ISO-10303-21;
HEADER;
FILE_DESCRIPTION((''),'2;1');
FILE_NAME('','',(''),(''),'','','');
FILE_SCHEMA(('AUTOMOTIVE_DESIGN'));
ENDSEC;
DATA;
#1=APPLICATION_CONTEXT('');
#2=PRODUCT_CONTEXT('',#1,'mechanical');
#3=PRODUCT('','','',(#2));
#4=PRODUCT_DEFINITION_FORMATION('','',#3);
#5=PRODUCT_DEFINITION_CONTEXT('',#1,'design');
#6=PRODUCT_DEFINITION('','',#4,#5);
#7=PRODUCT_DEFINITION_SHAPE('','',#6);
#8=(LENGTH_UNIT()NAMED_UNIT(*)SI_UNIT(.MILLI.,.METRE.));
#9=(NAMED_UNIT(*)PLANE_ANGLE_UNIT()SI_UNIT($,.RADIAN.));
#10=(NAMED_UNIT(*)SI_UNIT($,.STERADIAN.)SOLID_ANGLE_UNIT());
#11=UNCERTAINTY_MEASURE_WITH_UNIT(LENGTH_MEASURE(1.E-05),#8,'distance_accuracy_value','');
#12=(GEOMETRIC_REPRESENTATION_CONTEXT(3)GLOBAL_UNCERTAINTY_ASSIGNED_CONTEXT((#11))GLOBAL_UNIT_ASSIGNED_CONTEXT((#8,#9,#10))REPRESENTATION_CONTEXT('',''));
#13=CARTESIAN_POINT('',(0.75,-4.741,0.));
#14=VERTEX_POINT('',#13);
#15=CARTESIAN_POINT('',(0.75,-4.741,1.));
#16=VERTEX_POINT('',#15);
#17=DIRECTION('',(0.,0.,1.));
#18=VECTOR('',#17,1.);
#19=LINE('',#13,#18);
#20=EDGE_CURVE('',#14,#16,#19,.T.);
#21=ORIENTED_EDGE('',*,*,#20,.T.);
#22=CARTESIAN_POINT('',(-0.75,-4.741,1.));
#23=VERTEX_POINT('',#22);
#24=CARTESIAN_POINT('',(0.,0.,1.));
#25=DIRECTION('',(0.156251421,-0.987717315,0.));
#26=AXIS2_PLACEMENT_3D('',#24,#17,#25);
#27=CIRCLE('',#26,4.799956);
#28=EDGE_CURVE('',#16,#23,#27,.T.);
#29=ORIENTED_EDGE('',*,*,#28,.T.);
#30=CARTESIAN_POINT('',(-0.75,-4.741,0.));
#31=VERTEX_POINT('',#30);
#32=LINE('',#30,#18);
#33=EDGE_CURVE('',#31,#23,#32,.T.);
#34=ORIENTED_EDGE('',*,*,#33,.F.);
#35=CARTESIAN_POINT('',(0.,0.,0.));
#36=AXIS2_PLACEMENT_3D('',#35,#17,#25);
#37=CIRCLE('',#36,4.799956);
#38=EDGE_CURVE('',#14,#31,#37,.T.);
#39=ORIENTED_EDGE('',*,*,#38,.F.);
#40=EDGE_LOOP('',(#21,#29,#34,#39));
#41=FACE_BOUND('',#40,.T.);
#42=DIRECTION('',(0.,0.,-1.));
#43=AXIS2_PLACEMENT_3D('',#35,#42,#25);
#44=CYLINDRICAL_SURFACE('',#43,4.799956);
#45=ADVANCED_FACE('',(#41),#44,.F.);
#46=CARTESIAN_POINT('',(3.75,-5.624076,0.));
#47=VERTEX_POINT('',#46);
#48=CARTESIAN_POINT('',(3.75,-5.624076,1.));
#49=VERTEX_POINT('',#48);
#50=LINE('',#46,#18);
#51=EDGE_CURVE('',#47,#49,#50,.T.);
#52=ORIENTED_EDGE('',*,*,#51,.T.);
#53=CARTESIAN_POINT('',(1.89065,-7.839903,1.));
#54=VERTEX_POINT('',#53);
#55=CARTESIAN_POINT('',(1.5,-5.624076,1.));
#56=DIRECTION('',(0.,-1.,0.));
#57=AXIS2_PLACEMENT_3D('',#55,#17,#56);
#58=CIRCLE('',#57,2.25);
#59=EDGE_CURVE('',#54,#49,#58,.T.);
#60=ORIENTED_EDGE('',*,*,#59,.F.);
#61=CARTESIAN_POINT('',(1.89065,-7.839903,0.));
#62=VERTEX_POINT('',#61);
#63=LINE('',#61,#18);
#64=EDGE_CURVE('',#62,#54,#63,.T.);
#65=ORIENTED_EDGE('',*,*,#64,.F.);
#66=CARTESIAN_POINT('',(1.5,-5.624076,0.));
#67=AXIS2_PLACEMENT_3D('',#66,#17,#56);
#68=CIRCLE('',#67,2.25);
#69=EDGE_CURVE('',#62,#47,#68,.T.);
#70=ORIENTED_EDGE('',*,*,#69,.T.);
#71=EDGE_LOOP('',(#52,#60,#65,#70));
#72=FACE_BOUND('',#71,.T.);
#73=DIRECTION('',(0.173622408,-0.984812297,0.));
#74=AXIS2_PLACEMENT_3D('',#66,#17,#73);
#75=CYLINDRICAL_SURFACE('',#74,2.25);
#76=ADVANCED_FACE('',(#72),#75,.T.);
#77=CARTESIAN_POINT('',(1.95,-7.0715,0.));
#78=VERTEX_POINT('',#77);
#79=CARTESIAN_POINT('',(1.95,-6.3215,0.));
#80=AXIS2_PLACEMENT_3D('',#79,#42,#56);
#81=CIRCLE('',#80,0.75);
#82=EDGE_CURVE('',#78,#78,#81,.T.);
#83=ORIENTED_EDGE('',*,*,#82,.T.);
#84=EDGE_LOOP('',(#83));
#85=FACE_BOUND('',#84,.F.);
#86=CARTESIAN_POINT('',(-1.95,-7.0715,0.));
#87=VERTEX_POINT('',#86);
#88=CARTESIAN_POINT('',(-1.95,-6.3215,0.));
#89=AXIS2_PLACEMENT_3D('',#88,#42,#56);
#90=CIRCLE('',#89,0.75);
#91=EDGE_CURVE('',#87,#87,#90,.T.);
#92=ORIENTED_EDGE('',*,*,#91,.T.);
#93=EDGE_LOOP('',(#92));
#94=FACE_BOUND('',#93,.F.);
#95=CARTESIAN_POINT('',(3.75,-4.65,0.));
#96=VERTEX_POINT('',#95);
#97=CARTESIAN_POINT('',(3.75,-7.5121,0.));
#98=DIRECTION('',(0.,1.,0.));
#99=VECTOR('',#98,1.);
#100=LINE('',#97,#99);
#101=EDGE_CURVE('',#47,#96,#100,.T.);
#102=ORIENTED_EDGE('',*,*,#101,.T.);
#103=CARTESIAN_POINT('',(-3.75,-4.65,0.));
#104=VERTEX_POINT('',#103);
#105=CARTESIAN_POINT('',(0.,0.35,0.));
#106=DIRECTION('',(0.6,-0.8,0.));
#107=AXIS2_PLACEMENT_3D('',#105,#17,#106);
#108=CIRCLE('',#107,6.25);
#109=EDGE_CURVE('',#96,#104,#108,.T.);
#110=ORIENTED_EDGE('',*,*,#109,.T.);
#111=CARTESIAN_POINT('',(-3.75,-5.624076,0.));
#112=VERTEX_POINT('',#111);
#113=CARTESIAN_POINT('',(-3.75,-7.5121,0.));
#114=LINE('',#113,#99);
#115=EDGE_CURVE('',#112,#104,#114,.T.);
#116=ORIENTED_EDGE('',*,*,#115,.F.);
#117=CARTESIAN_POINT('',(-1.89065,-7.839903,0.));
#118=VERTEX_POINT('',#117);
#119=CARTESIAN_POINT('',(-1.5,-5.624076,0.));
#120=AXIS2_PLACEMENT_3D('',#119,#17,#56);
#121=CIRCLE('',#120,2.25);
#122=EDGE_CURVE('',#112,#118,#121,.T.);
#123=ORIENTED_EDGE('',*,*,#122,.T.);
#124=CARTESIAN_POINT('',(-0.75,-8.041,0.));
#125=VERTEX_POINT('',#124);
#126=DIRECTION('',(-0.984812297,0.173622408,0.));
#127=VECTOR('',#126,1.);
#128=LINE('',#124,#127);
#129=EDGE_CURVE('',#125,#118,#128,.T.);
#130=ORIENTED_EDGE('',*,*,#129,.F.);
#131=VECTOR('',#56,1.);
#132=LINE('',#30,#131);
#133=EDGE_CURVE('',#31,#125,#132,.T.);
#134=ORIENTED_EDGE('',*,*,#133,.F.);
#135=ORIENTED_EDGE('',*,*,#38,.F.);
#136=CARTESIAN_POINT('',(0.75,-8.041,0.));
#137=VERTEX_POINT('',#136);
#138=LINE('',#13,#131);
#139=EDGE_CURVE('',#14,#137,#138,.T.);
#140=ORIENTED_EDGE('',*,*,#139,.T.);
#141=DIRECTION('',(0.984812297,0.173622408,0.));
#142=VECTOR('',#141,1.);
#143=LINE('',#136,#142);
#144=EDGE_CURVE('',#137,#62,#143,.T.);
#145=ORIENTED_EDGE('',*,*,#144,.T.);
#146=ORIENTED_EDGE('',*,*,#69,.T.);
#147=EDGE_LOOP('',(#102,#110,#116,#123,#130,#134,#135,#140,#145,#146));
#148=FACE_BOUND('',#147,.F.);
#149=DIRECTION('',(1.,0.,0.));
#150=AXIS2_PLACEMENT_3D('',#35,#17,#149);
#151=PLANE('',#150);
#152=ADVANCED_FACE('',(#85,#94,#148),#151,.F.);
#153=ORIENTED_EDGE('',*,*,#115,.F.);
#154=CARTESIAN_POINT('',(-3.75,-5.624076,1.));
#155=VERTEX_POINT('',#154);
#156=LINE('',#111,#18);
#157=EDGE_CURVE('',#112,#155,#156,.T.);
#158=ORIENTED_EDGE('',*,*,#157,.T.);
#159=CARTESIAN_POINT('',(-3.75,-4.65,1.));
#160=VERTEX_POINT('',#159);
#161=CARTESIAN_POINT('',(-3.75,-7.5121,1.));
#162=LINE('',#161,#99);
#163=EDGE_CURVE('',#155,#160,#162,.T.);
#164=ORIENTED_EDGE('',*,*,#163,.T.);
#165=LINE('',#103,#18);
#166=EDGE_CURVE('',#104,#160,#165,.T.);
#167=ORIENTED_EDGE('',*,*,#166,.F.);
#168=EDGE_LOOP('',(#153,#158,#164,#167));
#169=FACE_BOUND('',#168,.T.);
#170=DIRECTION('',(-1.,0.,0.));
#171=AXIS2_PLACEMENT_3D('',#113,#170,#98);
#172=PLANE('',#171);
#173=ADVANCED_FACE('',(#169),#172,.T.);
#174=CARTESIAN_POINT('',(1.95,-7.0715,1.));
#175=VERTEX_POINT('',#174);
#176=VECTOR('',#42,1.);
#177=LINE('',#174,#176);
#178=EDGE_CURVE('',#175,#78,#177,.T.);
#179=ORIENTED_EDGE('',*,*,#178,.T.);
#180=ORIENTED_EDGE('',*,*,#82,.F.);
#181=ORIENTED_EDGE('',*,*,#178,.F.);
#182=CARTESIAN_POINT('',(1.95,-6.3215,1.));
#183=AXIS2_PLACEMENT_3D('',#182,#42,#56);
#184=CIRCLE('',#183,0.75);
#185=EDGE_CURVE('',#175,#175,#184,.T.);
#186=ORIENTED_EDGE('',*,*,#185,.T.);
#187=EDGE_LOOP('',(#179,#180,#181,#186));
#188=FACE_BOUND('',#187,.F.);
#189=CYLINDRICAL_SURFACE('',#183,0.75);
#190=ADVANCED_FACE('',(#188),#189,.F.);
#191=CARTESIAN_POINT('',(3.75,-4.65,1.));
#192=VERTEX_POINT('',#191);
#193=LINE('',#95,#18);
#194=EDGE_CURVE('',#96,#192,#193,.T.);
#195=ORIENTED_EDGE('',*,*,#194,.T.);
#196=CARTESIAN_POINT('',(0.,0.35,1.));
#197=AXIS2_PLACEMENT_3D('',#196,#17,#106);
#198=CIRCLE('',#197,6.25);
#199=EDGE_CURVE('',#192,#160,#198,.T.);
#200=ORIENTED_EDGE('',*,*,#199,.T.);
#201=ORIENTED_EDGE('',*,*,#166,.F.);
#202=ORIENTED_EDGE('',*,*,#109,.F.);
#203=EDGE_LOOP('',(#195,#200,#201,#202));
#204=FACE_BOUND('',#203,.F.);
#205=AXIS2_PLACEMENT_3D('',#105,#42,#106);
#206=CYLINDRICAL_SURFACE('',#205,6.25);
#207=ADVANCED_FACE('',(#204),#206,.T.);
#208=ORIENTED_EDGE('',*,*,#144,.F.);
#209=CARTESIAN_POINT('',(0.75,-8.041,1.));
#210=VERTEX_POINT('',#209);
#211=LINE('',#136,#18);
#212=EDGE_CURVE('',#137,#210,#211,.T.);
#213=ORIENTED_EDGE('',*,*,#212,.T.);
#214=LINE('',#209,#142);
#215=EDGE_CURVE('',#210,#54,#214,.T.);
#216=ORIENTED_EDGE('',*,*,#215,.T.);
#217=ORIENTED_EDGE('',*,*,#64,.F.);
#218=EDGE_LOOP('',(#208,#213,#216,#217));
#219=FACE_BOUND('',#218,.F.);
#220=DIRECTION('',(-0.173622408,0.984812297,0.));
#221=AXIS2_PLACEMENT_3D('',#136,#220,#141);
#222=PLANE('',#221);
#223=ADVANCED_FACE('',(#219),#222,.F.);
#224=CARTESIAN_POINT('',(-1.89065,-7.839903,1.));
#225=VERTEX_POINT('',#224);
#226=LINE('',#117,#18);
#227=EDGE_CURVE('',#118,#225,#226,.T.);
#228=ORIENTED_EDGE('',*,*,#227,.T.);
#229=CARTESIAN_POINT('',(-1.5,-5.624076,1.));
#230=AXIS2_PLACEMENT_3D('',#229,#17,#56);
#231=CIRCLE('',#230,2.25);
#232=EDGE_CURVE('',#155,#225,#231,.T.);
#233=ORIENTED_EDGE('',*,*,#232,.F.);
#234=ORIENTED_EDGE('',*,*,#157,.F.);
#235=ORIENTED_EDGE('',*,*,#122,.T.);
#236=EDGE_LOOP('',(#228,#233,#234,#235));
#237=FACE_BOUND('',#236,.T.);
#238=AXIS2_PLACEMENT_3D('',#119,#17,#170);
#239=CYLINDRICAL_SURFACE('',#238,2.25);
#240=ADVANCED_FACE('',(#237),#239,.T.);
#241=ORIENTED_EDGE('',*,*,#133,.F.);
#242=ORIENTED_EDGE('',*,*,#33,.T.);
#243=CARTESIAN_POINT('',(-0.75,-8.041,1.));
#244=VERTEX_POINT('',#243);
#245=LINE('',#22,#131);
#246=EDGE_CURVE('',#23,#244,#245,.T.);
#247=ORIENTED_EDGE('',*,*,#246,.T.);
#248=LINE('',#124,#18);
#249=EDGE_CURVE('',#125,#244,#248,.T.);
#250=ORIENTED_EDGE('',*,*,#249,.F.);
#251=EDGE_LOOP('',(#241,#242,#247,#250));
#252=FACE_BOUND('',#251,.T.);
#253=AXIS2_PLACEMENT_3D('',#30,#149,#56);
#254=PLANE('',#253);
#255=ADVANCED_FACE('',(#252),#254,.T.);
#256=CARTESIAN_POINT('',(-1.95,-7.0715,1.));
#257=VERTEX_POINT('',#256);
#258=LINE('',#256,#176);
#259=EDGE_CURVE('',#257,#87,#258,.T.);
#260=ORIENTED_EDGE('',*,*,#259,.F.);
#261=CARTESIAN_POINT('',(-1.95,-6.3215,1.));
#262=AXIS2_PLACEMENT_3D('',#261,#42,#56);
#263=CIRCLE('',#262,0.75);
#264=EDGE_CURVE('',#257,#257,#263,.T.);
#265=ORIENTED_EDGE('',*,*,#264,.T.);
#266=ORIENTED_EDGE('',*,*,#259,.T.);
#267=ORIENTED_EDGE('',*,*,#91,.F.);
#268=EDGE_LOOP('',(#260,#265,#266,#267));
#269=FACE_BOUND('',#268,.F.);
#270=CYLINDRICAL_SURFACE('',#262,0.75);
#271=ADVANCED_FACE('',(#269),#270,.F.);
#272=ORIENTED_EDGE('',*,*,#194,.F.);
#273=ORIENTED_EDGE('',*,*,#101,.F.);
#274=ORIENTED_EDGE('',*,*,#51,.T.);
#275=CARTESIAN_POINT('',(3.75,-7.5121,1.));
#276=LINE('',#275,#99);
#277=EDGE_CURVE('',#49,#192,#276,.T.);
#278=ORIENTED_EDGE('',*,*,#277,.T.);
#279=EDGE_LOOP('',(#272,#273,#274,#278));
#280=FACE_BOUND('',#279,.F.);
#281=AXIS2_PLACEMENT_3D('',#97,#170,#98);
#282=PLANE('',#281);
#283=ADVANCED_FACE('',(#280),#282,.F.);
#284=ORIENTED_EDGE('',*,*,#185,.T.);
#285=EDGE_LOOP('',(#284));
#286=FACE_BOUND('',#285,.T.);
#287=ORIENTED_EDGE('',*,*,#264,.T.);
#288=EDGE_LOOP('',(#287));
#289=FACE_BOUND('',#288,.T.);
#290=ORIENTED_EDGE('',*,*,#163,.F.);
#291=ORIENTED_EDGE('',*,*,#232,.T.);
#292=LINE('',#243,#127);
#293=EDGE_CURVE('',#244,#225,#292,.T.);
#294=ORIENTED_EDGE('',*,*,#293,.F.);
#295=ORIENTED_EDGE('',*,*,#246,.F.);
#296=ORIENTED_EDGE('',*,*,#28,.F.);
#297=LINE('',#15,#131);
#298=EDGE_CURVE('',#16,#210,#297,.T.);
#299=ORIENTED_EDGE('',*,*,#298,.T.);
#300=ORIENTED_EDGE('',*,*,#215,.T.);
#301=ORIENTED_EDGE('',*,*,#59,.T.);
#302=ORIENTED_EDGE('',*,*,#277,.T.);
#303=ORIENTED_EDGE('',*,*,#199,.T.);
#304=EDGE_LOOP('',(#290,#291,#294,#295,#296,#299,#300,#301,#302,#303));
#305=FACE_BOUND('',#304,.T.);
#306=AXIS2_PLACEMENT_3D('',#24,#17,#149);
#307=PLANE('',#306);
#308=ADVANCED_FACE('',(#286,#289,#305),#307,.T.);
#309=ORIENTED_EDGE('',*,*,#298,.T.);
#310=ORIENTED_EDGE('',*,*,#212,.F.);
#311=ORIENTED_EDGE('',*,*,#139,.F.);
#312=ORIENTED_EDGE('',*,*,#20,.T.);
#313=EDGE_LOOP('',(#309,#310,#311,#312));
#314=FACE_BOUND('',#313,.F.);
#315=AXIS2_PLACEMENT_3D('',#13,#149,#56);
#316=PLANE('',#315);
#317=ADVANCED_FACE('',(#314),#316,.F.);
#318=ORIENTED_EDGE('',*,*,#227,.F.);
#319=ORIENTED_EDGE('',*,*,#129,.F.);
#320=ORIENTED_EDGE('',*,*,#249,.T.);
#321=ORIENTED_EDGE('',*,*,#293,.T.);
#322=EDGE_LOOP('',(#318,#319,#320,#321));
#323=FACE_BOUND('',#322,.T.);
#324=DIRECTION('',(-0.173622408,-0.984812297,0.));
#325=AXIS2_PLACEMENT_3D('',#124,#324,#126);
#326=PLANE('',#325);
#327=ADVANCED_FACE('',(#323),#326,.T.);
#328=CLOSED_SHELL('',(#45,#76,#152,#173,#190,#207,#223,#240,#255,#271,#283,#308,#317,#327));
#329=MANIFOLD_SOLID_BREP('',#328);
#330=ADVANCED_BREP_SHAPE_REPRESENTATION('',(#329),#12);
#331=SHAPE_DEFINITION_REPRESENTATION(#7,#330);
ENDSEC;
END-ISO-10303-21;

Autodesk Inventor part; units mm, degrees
ref_plane "WorkPlane1" through (0, 0, 0) normal (0, 0, 1) x (1, 0, 0)
ref_plane "Work Plane2" through (0, 0, -1) normal (0, 0, 1) x (1, 0, 0)
ref_plane "WorkPlane2" through (0, 0, 1.5) normal (0, 0, 1) x (1, 0, 0)
sketch "Sketch1" plane through (0, 0, 0) normal (0, 0, 1) x (1, 0, 0)
  point P0 (0, 0)
sketch "Sketch2" plane through (0, 0, 0) normal (0, 0, 1) x (1, 0, 0)
  line L0 (3.75, -7.5121) -> (3.75, -4.65)
  line L1 (0.75, -8.041) -> (3.75, -7.5121)
  line L2 (0.75, -4.741) -> (0.75, -8.041)
  arc A0 (0.75, -4.741) -> (-0.75, -4.741) centre (0, 0) ccw
  line L3 (-0.75, -4.741) -> (-0.75, -8.041)
  line L4 (-0.75, -8.041) -> (-3.75, -7.5121)
  line L5 (-3.75, -7.5121) -> (-3.75, -4.65)
  arc A1 (3.75, -4.65) -> (-3.75, -4.65) centre (0, 0.35) ccw
  dimension "d2" = 4.8
  dimension "d4" = 6.25
  dimension "d6" = 0
  dimension "d8" = 0.75
  dimension "d10" = 0.75
  dimension "d12" = 3.3
  dimension "d14" = 3.3
  dimension "d16" = 80
  dimension "d18" = 80
  dimension "d20" = 3
  dimension "d22" = 3
  dimension "d24" = 0.35
  dimension "d52" = 0
  dimension "d53" = 0
extrude "Extrusion1" add sketch "Sketch2" along normal blind 1
sketch "Sketch3" plane through (0, 0, 1) normal (0, 0, 1) x (1, 0, 0)
  line L0 (-0.75, -4.741) -> (-0.75, -8.041) projected
  line L1 (-0.75, -8.041) -> (-3.75, -7.5121) projected
  point P0 (-1.95, -6.3215)
  dimension "d30" = 1.2
  dimension "d32" = 1.485
hole "Hole1" at (-1.95, -6.3215, 1) direction (0, 0, -1) diameter 1.5 end through all
sketch "Sketch4" plane through (0, 0, 1) normal (0, 0, 1) x (1, 0, 0)
  line L0 (0.75, -8.041) -> (0.75, -4.741) projected
  line L1 (3.75, -7.5121) -> (0.75, -8.041) projected
  point P0 (1.95, -6.3215)
  dimension "d41" = 1.2
  dimension "d43" = 1.485
hole "Hole2" at (1.95, -6.3215, 1) direction (0, 0, -1) diameter 1.5 end through all
fillet "Fillet1" radius 2.25 2 edges at (-3.75, -7.5121, 0.5) (3.75, -7.5121, 0.5)
equation "\"d30\" = 0.8 * Diam5"
equation "\"d32\" = 0.45 * ParA"
equation "\"d33\" = Diam5"
equation "\"d41\" = 0.8 * Diam5"
equation "\"d43\" = 0.45 * ParA"
equation "\"d44\" = Diam5"
equation "\"d51\" = 1.5 * Diam5"
equation "\"d2\" = 0.5 * Diam2"
equation "\"d4\" = 0.166667 * ParA + 0.5 * Diam2 + 0.5 * b"
equation "\"d8\" = 0.5 * Diam5"
equation "\"d10\" = 0.5 * Diam5"
equation "\"d12\" = ParA"
equation "\"d14\" = ParA"
equation "\"d20\" = 2 * Diam5"
equation "\"d22\" = 2 * Diam5"
equation "\"d24\" = -msp_r2 + 0.5 * Diam2 + b"
equation "\"d25\" = ParS"
equation "\"Diam5\" = 1.5"
equation "\"ParA\" = 3.3"
equation "\"ParS\" = 1"
equation "\"Diam2\" = 9.6"
equation "\"msp_r2\" = 0.166667 * ParA + 0.5 * Diam2 + 0.5 * b"
equation "\"TEMPLATE\" = 1.2345"
properties part number "DIN 471 - 10x1" material "Steel, Mild"
